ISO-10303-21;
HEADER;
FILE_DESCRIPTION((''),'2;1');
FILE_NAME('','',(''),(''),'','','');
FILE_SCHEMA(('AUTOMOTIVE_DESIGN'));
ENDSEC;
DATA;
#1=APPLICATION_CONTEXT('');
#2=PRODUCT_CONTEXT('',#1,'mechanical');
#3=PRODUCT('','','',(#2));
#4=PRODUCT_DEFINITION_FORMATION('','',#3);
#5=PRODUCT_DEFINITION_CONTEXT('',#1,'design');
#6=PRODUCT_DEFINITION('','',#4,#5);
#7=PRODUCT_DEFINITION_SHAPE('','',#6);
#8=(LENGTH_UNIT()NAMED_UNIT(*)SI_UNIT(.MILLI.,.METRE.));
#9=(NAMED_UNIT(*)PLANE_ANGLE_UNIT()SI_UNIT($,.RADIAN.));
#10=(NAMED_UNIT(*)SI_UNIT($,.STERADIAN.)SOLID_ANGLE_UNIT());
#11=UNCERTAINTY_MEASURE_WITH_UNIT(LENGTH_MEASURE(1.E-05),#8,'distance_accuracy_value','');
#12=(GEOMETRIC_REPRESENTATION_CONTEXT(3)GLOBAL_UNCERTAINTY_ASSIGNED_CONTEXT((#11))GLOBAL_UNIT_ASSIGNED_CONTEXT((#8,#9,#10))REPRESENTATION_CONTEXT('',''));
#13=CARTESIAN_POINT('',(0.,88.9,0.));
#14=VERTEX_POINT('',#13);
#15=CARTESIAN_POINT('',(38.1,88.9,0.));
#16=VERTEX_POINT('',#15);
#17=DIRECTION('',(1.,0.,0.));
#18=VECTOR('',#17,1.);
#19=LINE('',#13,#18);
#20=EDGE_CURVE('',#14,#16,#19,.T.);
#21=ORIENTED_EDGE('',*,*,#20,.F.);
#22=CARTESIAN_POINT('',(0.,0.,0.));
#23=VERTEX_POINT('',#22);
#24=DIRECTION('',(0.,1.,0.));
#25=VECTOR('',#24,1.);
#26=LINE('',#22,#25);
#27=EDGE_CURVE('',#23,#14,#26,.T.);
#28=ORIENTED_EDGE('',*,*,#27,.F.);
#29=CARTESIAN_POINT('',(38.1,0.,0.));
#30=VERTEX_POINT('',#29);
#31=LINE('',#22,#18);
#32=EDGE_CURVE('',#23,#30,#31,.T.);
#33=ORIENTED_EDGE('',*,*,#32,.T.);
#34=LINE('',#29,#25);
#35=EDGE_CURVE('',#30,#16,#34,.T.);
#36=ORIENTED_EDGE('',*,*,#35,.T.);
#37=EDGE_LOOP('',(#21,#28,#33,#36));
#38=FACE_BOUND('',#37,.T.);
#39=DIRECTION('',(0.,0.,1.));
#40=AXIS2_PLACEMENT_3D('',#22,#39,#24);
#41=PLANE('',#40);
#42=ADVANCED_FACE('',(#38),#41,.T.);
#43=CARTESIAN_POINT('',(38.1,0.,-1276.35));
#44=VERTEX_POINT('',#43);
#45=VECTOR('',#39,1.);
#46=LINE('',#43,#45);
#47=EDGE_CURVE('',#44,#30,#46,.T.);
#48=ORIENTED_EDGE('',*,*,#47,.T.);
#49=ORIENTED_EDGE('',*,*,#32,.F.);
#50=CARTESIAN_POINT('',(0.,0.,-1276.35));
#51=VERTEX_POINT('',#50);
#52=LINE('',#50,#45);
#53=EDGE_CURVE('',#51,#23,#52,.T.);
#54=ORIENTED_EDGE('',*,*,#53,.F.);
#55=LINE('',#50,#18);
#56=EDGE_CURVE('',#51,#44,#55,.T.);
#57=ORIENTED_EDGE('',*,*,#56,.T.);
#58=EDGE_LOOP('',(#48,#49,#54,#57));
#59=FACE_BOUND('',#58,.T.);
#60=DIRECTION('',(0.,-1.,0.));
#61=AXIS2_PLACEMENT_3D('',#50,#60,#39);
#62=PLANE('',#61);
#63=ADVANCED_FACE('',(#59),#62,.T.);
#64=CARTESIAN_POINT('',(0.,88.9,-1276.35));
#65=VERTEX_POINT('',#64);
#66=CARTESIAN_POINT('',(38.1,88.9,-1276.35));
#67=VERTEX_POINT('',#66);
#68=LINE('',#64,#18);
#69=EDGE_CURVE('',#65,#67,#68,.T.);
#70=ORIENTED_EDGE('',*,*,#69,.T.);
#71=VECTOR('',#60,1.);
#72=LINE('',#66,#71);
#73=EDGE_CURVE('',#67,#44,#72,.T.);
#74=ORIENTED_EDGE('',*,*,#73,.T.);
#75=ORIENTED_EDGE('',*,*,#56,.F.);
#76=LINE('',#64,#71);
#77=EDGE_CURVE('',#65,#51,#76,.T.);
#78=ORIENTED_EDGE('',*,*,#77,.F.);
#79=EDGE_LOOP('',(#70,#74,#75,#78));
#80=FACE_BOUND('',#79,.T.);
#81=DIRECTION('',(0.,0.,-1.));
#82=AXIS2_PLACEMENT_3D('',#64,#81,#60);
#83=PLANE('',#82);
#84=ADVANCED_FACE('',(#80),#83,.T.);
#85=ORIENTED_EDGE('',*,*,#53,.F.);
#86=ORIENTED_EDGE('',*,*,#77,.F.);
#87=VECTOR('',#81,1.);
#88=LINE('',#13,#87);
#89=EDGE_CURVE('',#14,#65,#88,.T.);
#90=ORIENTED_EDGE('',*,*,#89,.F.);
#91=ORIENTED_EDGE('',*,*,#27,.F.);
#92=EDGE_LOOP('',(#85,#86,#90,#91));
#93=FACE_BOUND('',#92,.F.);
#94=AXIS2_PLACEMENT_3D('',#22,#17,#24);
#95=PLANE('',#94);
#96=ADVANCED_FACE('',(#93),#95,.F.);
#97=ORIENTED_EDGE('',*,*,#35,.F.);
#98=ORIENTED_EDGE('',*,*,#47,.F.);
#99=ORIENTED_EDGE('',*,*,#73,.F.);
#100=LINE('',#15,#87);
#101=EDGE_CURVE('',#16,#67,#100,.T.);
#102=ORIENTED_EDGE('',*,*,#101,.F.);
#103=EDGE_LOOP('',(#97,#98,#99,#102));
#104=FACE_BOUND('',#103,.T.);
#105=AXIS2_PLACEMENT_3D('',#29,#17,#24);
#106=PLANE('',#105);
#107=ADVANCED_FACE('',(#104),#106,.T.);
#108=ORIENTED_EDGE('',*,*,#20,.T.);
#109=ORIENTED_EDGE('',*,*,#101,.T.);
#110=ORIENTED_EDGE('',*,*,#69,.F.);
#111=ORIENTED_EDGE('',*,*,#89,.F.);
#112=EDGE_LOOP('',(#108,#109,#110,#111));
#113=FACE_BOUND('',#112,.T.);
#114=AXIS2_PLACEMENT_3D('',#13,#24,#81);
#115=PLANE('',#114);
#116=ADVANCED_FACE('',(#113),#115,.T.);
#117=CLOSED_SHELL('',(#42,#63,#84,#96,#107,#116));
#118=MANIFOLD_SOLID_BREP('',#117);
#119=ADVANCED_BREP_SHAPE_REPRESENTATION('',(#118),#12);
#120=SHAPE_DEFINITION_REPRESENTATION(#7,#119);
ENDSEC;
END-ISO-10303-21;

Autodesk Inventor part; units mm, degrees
ref_plane "YZ Plane" through (0, 0, 0) normal (1, 0, 0) x (0, 1, 0)
ref_plane "XZ Plane" through (0, 0, 0) normal (0, 1, 0) x (-1, 0, 0)
ref_plane "XY Plane" through (0, 0, 0) normal (0, 0, 1) x (1, 0, 0)
sketch "Sketch1" plane through (0, 0, 0) normal (1, 0, 0) x (0, 1, 0)
  line L0 (0, 0) -> (88.9, 0)
  line L1 (88.9, 0) -> (88.9, -1276.35)
  line L2 (88.9, -1276.35) -> (0, -1276.35)
  line L3 (0, -1276.35) -> (0, 0)
  dimension "d1" = 1276.35
  dimension "d4" = 88.9
extrude "Extrusion1" add sketch "Sketch1" along normal blind 38.1
properties part number "Header_With_Dimensions_1.5_x_3.5_x_50.25_Inches" material "Wood (Birch)"
